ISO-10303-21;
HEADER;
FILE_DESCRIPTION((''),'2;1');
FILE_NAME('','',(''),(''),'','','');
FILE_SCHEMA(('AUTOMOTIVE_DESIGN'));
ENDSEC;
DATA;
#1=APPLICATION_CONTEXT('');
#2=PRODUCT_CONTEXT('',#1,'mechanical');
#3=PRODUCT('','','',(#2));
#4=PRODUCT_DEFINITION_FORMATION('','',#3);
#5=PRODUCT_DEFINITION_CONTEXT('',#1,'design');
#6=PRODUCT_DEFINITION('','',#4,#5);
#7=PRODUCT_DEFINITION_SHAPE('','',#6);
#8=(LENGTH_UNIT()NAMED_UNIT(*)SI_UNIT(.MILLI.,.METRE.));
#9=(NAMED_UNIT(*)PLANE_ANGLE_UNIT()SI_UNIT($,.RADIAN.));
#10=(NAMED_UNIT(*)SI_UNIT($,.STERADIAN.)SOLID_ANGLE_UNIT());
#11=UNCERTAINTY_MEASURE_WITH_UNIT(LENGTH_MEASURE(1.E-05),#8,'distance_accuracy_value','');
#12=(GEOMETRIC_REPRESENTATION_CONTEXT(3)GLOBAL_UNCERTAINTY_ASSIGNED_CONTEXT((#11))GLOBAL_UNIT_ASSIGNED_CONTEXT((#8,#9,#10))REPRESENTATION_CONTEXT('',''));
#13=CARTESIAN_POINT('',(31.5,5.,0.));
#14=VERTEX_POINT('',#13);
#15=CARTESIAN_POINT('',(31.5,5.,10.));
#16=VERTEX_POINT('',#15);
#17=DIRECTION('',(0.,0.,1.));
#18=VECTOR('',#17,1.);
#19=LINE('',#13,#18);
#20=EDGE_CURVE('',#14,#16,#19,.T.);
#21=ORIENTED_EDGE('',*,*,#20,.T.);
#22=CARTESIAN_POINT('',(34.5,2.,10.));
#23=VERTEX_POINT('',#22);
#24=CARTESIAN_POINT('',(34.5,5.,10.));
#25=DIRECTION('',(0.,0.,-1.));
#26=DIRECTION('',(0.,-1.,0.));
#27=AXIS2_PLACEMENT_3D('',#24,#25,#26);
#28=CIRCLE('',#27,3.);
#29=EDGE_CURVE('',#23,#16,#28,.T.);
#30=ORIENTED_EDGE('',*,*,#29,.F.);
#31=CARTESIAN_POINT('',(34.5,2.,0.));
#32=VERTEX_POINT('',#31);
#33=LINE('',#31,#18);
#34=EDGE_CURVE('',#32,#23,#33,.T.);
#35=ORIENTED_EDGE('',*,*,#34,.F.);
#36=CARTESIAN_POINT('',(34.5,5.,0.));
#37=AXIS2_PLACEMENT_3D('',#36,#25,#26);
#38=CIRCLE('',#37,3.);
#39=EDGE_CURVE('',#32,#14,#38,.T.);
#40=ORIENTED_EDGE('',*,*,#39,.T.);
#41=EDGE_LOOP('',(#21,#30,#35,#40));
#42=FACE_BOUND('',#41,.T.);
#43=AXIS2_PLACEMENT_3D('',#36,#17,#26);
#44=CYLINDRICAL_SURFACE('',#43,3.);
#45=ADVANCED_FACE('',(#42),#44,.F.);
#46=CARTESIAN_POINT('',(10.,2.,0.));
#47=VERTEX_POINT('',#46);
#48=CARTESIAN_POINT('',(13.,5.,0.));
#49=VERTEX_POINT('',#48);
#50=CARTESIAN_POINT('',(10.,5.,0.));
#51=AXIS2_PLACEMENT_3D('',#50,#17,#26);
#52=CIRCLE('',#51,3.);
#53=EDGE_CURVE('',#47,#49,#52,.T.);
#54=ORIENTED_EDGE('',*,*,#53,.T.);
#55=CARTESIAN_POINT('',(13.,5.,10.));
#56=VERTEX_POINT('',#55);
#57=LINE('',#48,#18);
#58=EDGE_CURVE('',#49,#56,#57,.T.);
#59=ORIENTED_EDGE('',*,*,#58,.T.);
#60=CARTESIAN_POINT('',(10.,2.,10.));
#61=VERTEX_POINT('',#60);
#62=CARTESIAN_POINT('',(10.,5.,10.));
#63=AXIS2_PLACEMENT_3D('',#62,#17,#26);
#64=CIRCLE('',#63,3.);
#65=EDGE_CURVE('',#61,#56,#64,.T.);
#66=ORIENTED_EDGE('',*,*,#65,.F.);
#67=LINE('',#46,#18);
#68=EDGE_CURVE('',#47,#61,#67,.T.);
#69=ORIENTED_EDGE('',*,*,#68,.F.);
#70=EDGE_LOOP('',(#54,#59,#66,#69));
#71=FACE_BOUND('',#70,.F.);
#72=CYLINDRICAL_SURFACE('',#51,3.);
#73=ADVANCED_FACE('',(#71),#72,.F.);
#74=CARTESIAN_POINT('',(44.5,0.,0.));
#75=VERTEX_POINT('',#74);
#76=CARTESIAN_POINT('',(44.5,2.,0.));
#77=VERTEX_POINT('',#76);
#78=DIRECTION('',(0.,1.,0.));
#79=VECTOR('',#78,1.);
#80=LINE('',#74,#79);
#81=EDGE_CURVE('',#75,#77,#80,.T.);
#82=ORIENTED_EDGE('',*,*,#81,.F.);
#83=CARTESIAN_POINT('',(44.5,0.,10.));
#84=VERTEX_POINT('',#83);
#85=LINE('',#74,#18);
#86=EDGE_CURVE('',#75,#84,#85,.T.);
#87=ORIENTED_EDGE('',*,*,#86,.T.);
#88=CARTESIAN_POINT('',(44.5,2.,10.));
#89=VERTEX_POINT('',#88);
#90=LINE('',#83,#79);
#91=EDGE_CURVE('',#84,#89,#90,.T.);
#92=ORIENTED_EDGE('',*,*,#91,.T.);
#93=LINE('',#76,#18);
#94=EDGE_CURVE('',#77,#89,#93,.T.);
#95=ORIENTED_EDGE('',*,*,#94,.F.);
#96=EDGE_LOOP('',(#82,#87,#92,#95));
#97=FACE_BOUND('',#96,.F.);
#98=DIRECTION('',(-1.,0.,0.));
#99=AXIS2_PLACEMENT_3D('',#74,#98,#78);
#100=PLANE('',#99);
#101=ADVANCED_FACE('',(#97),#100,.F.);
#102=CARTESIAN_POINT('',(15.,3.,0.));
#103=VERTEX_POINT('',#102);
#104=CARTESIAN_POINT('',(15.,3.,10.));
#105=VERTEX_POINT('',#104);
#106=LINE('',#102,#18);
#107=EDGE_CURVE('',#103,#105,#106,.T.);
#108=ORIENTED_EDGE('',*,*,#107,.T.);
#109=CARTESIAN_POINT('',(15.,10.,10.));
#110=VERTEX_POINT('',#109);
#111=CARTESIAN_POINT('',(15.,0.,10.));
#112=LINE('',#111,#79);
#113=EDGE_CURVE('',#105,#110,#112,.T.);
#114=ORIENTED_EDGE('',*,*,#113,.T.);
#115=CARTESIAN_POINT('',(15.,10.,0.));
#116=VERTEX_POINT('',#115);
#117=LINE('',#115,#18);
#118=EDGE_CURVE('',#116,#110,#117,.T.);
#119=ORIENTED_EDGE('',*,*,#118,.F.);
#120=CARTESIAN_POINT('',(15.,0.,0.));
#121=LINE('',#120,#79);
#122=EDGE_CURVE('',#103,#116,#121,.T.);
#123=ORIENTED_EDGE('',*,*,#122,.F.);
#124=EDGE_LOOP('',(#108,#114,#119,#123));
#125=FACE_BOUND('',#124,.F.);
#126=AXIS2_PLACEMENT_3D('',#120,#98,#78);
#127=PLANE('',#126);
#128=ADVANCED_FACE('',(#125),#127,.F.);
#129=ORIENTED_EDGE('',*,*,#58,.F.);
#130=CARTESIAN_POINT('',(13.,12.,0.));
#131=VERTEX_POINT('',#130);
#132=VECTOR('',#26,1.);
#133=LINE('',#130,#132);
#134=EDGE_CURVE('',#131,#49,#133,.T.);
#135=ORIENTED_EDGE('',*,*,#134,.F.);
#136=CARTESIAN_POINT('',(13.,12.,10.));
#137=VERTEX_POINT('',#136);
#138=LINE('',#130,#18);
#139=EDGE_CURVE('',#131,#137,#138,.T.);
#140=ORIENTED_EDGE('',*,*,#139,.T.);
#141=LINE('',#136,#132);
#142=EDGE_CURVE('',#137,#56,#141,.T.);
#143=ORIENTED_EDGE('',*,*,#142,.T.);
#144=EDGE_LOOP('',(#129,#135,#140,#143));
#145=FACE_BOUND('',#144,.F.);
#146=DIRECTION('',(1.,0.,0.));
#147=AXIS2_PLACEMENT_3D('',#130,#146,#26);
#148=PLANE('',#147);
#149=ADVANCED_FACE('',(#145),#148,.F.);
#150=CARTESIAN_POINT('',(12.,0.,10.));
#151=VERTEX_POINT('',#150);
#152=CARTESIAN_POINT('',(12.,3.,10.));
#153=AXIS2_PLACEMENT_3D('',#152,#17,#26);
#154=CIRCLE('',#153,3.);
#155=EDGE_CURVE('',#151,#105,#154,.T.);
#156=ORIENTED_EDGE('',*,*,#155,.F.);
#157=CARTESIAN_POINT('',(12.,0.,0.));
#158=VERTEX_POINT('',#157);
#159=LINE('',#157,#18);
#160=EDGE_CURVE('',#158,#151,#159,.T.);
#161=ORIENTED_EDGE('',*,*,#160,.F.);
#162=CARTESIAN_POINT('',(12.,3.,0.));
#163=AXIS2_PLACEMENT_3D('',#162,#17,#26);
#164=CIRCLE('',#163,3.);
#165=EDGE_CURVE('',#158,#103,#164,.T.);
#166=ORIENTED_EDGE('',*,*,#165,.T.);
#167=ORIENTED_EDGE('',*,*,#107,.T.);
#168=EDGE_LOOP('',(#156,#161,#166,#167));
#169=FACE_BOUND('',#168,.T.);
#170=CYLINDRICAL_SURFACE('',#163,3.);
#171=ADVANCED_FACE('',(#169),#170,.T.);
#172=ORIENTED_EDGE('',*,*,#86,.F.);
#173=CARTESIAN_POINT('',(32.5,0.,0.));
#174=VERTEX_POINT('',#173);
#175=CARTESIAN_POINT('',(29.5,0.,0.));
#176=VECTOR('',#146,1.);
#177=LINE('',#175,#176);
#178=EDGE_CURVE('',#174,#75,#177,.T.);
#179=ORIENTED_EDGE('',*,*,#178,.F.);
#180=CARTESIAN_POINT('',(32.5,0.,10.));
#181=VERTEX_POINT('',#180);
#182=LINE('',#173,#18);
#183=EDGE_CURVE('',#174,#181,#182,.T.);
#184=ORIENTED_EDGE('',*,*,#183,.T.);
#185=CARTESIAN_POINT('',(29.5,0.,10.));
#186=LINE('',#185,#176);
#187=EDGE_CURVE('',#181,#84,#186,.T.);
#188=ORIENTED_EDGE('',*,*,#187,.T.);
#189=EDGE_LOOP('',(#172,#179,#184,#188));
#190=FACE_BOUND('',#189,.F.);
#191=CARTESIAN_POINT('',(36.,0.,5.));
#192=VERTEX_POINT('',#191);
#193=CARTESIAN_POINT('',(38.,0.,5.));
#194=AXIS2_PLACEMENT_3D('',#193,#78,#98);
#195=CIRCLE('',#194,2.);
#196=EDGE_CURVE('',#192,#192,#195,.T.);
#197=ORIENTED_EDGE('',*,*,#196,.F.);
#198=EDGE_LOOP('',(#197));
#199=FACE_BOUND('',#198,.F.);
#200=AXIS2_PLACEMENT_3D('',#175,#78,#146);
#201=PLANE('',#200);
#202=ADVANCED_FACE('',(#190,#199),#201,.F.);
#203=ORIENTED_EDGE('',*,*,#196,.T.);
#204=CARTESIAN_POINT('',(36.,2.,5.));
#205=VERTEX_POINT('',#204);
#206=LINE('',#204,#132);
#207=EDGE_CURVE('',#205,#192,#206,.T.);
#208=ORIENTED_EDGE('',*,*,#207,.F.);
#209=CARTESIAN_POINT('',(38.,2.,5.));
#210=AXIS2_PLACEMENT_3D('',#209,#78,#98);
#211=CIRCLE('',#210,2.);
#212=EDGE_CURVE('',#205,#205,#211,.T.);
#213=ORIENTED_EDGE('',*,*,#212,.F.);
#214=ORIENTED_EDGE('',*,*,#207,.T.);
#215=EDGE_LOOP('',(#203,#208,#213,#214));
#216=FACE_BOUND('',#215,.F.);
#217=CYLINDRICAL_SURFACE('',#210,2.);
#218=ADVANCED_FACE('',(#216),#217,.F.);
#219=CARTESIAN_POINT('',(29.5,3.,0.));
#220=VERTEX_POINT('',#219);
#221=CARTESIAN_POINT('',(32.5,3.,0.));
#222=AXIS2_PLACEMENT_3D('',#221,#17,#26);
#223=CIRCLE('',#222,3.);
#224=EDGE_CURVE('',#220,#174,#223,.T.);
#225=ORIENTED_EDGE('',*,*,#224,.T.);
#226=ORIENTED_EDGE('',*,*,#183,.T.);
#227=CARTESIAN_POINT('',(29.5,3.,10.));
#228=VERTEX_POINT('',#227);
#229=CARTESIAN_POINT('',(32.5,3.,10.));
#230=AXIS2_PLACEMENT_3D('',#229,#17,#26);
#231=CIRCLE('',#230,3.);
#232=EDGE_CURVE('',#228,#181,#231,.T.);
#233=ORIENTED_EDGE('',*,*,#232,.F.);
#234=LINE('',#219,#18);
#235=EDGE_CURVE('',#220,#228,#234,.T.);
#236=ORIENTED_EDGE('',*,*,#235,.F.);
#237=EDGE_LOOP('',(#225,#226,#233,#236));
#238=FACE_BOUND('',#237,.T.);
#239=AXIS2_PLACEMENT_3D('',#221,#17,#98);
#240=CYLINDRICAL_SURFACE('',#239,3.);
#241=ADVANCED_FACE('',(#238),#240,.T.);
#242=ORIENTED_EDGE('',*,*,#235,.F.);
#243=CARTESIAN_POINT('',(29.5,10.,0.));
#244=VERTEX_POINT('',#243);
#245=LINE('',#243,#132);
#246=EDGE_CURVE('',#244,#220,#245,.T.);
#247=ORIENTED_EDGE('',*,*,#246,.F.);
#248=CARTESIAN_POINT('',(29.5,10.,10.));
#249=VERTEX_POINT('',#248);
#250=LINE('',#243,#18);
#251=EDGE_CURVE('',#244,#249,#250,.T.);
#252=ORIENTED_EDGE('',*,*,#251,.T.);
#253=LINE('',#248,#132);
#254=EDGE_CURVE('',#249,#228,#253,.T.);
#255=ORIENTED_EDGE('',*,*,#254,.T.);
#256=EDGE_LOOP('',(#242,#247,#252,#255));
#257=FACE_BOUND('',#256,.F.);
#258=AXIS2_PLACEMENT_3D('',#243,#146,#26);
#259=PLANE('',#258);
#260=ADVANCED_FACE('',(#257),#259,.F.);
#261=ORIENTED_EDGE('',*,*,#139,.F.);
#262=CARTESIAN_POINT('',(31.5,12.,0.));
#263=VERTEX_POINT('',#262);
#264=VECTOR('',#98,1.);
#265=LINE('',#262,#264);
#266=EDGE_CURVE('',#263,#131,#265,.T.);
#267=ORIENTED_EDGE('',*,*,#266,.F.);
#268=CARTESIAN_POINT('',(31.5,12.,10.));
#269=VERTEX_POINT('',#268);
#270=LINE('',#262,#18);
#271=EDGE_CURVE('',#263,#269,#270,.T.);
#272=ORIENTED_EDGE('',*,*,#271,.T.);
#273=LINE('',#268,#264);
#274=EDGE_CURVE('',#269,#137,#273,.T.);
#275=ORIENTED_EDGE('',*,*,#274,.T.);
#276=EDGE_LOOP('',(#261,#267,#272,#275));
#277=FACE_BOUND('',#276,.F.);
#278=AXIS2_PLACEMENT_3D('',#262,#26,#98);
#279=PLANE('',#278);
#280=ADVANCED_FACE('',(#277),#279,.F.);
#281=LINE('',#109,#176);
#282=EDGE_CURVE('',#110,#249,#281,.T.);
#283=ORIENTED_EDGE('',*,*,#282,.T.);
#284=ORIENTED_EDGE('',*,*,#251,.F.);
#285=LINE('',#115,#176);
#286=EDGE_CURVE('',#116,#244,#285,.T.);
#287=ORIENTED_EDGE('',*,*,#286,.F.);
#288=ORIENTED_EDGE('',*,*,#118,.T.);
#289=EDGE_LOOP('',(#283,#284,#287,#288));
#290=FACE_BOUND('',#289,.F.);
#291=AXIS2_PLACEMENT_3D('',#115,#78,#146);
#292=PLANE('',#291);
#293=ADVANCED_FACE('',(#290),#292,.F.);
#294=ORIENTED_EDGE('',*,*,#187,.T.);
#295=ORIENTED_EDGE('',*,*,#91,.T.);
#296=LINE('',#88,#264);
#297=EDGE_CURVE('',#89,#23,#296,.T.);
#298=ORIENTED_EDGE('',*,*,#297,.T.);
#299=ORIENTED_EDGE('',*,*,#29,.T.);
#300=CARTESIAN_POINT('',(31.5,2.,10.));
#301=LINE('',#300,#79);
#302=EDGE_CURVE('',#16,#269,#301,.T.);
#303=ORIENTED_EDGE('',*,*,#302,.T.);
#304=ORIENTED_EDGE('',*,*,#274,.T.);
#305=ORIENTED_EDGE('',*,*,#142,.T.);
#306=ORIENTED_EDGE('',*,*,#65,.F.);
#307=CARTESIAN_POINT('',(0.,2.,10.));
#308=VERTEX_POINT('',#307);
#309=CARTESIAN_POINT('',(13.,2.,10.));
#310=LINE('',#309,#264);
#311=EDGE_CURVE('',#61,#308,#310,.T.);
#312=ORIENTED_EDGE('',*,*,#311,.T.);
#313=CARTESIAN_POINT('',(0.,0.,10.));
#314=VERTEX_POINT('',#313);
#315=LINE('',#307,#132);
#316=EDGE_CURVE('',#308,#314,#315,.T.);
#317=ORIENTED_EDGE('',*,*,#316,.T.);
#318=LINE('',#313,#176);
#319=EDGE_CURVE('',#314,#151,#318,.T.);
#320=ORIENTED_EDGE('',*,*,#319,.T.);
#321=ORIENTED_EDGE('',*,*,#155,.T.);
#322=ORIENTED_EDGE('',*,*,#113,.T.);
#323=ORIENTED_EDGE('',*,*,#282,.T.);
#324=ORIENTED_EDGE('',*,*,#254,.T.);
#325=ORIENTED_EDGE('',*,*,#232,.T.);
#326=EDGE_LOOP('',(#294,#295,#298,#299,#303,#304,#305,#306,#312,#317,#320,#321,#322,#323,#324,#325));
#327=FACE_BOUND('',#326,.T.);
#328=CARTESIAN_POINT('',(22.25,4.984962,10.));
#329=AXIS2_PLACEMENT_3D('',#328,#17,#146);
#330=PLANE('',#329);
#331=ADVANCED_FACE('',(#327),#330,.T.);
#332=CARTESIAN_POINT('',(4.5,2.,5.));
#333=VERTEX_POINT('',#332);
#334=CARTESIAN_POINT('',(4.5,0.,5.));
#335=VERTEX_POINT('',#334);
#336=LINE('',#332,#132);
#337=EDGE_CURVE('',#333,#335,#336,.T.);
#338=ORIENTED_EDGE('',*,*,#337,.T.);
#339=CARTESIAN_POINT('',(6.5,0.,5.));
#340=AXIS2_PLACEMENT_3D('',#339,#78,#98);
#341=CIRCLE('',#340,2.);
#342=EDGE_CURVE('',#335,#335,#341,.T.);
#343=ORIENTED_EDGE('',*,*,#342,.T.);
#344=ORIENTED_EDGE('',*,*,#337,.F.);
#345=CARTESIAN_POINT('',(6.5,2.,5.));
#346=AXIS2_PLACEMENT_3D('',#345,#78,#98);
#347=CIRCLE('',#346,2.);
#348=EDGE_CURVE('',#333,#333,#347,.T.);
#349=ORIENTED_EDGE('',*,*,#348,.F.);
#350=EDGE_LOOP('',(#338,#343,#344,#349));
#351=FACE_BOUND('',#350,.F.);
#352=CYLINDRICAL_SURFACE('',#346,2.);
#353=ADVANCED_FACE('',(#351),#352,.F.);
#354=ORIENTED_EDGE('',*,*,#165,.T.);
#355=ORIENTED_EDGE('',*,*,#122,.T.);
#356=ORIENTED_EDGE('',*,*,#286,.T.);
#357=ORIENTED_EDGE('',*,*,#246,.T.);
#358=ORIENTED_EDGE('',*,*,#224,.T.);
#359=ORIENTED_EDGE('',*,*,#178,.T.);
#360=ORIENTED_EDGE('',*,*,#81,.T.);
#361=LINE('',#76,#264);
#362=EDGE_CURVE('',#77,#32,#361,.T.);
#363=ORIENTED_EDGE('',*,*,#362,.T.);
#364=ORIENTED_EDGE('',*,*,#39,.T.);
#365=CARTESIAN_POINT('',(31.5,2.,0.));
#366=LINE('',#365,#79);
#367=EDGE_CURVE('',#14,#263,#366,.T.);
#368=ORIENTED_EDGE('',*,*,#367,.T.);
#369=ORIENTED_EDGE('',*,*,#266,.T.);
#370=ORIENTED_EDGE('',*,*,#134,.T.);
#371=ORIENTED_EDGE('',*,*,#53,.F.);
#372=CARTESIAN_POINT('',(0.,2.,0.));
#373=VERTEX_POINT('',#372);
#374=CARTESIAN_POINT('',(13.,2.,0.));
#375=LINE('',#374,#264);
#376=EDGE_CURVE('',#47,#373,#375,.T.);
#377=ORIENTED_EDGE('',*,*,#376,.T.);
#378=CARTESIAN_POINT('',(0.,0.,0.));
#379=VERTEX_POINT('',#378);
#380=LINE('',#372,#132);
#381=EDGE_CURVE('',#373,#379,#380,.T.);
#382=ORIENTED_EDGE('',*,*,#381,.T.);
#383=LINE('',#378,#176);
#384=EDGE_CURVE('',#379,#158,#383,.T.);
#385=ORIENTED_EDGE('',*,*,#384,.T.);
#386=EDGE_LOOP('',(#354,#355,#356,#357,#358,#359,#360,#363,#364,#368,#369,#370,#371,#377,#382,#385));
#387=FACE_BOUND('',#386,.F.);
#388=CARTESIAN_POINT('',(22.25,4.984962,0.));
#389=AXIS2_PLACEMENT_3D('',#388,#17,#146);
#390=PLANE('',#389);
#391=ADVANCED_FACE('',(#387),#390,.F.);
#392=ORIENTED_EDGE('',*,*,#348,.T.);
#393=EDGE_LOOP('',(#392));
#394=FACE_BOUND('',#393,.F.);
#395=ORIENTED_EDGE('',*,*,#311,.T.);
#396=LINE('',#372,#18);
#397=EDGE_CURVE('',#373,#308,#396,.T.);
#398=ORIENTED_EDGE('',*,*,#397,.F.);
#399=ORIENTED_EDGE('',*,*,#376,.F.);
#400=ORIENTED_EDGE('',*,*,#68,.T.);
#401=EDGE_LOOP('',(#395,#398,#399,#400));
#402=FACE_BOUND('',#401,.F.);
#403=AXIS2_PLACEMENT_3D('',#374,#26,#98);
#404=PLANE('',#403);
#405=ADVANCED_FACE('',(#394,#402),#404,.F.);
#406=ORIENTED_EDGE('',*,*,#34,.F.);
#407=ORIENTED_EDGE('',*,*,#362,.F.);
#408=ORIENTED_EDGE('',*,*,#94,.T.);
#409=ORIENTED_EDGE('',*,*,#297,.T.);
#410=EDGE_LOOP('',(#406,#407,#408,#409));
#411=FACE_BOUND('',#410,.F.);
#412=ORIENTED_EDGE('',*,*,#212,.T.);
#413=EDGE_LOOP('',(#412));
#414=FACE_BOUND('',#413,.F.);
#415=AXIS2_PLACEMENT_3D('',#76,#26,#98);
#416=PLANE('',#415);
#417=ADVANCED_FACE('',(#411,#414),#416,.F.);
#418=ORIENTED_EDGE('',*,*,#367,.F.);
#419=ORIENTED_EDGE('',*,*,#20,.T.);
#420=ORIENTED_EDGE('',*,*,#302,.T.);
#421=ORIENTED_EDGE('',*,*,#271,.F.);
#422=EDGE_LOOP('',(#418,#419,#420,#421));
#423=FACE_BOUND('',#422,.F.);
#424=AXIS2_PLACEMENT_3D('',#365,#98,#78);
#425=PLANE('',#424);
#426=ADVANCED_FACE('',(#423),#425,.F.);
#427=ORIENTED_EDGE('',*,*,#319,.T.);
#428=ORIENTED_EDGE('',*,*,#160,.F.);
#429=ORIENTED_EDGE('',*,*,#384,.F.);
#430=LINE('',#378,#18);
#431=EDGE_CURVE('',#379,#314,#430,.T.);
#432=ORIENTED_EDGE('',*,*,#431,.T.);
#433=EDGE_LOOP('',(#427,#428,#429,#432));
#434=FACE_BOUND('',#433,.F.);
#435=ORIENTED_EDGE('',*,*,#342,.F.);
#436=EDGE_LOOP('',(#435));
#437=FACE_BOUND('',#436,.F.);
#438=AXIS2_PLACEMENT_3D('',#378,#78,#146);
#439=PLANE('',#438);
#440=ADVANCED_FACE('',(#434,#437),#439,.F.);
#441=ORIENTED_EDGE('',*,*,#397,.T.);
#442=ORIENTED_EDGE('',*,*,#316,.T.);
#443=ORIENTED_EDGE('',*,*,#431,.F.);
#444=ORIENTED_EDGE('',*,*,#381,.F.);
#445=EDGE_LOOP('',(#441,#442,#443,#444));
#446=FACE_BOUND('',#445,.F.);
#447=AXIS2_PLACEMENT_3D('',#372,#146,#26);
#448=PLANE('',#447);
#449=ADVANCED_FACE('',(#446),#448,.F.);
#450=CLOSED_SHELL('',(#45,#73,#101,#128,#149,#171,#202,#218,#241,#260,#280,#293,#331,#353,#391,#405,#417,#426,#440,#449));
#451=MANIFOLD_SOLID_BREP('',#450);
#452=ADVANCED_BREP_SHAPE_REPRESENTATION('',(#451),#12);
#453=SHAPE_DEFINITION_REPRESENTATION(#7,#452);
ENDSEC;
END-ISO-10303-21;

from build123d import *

# Parameters (mm, degrees)
F1_DEPTH = 10
F2_R     = 2
F3_DEPTH = 25
F4_R     = 3


with BuildPart() as f1:
    # F0 (on Top) → F1 (new body)
    with BuildSketch(Plane.XY):
        Polygon((0, 2), (0, 0), (15, 0), (15, 10), (22.25, 10), (29.5, 10), (29.5, 0), (44.5, 0), (44.5, 2), (31.5, 2), (31.5, 12), (22.25, 12), (13, 12), (13, 2), align=None)
    extrude(amount=F1_DEPTH)

    # F2 (on face) → F3 (cut)
    with BuildSketch(Plane(origin=(0, 2, 0), x_dir=(-1, 0, 0), z_dir=(0, 1, 0))):
        with Locations((-38, 5)):
            Circle(F2_R)
        with Locations((-6.5, 5)):
            Circle(F2_R)
    extrude(amount=-F3_DEPTH, mode=Mode.SUBTRACT)

    # F4
    f4_edges = [f1.edges().sort_by_distance(p)[0] for p in [
        (31.5, 2, 5),
        (13, 2, 5),
        (29.5, 0, 5),
        (15, 0, 5),
    ]]
    fillet(f4_edges, radius=F4_R)


solid = f1.part
